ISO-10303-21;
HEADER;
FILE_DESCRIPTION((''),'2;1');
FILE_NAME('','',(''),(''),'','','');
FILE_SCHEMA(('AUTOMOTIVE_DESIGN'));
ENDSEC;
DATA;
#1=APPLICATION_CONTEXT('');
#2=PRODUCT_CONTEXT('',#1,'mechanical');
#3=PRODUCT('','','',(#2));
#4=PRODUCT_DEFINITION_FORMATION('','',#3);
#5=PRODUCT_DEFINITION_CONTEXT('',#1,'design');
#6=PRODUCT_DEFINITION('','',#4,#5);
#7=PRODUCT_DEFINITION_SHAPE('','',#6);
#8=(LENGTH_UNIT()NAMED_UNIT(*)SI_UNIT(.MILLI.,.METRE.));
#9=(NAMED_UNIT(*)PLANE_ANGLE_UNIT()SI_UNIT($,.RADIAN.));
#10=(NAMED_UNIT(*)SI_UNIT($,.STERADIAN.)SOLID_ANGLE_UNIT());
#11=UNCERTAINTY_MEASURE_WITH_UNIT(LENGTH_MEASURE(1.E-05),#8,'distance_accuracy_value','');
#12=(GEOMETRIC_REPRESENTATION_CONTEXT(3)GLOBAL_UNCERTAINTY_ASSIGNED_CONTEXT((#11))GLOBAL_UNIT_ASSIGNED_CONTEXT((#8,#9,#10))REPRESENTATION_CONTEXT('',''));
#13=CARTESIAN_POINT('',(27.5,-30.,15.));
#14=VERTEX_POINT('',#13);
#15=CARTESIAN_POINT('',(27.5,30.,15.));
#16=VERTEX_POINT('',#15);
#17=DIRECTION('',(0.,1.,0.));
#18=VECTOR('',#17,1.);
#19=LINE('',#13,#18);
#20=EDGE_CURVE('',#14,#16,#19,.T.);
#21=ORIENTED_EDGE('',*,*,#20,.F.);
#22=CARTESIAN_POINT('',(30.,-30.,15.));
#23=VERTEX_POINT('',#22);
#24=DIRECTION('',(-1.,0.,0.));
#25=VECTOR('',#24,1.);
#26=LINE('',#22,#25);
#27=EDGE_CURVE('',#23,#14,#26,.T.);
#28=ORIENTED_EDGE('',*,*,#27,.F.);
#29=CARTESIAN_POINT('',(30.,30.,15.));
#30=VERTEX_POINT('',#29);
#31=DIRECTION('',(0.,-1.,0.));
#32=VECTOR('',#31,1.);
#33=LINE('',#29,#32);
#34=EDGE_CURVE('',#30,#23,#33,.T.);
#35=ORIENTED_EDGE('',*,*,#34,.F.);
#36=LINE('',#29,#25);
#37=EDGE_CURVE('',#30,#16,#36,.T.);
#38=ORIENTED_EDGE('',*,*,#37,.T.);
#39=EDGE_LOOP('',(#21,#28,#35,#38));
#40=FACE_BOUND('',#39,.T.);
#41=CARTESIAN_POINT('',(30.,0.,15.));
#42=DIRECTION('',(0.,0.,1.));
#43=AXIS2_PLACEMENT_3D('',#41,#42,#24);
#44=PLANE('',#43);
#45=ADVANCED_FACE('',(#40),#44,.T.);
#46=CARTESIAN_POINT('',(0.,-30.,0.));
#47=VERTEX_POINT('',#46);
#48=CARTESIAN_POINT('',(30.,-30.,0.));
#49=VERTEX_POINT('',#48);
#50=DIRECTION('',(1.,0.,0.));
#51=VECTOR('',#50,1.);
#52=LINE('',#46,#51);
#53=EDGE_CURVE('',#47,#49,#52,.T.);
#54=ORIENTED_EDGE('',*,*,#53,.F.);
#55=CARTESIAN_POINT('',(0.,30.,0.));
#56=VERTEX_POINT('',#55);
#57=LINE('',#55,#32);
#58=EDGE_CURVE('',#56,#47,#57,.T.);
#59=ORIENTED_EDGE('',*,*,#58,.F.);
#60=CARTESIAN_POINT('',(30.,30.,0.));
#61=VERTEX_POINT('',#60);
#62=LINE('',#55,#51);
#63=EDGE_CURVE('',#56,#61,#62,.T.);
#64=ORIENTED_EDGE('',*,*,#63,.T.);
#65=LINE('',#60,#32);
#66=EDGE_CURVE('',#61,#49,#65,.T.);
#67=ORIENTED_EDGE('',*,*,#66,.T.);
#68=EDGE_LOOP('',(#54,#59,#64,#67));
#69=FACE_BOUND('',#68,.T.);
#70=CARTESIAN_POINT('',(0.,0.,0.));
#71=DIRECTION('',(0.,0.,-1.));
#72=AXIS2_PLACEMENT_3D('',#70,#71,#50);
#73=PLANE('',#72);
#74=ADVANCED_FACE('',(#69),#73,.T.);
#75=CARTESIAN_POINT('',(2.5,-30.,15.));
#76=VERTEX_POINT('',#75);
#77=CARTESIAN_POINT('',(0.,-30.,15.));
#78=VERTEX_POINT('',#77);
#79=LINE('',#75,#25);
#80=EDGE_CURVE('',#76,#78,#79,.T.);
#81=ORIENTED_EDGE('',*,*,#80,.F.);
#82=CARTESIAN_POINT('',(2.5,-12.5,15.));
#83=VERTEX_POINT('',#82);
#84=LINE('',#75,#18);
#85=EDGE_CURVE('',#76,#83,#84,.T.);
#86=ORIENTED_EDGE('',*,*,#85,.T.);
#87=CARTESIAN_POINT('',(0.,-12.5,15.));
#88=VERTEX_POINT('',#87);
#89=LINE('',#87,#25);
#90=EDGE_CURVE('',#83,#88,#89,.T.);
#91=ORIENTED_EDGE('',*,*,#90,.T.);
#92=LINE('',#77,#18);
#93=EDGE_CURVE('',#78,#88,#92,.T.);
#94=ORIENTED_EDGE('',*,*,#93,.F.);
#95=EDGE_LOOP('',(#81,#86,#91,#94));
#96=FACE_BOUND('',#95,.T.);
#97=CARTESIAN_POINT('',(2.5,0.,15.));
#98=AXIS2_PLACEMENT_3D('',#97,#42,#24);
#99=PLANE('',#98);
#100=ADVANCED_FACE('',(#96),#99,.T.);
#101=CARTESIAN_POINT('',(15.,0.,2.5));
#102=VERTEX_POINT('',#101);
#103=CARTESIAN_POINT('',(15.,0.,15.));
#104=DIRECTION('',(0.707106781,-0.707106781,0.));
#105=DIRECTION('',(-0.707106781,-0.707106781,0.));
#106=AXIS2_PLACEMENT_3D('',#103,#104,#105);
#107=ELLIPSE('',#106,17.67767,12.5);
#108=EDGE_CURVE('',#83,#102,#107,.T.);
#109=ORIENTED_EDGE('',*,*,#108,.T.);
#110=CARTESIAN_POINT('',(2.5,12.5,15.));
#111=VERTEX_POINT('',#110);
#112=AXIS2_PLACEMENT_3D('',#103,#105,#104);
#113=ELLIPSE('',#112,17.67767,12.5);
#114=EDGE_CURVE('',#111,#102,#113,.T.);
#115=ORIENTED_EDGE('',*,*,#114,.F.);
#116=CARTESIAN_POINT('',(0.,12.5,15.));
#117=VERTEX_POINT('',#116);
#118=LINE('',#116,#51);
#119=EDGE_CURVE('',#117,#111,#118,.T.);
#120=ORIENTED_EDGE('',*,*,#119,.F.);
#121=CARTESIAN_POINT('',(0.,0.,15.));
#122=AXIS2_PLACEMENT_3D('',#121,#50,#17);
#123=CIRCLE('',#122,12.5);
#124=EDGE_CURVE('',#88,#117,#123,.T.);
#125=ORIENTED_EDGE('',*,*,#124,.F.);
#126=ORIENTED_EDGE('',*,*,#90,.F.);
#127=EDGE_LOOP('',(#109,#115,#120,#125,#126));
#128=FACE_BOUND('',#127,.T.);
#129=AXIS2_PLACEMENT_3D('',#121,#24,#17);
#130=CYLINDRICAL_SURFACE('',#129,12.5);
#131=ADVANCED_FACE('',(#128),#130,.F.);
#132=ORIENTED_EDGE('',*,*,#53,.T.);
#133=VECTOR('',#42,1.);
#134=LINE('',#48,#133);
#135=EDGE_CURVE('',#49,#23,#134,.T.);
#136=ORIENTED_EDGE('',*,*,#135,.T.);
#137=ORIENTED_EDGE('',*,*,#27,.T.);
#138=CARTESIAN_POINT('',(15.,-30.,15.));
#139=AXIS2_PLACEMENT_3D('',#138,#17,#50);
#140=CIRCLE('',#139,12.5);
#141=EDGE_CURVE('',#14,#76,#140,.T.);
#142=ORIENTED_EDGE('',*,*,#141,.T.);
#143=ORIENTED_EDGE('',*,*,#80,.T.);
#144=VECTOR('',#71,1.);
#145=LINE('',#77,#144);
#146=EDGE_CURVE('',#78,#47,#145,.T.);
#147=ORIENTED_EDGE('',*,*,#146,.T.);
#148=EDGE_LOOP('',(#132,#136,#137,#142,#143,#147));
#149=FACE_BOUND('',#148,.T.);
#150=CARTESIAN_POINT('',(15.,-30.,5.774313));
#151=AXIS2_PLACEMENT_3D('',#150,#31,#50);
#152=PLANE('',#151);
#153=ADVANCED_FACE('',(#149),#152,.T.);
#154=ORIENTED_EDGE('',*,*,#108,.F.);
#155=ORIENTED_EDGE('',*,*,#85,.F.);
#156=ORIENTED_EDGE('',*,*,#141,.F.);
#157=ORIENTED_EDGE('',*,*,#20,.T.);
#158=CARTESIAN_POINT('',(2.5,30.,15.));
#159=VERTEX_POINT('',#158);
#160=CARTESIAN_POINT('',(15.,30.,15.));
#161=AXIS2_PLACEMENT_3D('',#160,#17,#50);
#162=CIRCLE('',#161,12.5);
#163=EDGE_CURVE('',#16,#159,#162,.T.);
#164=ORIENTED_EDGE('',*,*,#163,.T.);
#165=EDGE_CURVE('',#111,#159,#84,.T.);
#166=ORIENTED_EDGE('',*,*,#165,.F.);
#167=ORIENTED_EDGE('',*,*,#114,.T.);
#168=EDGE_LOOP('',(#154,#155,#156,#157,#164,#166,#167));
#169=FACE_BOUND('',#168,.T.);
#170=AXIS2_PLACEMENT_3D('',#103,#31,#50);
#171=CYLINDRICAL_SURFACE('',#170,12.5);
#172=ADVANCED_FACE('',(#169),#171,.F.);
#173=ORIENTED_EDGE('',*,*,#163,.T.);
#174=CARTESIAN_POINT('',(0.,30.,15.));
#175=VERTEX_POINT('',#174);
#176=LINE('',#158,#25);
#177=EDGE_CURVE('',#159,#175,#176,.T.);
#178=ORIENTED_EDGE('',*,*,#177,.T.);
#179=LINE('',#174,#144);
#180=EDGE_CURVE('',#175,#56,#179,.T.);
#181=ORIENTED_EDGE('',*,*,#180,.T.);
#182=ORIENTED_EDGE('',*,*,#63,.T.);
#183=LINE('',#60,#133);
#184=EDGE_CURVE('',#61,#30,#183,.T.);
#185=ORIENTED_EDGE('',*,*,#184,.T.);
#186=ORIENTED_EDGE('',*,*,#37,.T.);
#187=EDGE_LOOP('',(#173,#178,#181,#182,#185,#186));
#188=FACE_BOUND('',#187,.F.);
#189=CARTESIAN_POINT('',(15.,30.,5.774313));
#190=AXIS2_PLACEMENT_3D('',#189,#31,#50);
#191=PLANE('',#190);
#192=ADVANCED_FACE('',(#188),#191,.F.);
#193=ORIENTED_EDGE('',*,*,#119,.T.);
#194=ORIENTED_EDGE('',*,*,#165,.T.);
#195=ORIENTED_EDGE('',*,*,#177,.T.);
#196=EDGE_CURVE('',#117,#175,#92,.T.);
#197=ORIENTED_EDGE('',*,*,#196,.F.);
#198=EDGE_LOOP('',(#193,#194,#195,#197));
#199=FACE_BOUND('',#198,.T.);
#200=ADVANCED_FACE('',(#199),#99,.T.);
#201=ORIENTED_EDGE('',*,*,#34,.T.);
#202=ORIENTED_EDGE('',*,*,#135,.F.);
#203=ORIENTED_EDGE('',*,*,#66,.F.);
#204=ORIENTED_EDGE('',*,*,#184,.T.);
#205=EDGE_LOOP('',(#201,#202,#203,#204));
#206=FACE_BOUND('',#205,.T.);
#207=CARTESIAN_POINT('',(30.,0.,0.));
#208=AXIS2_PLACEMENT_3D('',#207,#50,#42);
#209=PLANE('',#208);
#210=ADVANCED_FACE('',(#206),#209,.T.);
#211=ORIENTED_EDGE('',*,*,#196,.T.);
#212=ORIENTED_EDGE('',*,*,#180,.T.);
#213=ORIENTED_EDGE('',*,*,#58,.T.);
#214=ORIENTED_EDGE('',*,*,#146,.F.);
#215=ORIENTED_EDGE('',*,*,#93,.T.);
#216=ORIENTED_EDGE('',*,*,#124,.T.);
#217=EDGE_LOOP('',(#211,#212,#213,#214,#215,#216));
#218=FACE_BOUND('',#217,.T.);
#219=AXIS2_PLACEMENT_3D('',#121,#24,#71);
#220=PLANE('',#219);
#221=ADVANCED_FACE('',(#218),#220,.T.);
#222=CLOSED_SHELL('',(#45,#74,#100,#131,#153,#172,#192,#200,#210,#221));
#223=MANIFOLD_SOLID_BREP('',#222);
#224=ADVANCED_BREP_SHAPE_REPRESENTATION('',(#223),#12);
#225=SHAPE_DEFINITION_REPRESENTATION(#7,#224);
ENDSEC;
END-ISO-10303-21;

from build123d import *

# Parameters (mm, degrees)
F1_DEPTH = 30
F2_R     = 12.5
F3_DEPTH = 15


with BuildPart() as f1:
    # F0 (on Front) → F1 (new body, symmetric)
    with BuildSketch(Plane.XZ):
        with BuildLine():
            Line((0, 15), (0, 0))
            Line((0, 0), (30, 0))
            Line((30, 0), (30, 15))
            Line((30, 15), (27.5, 15))
            ThreePointArc((27.5, 15), (15, 2.5), (2.5, 15))
            Line((2.5, 15), (0, 15))
        make_face()
    extrude(amount=F1_DEPTH, both=True)

    # F2 (on Right) → F3 (cut)
    with BuildSketch(Plane.YZ):
        with Locations((0, 15)):
            Circle(F2_R)
    extrude(amount=F3_DEPTH, mode=Mode.SUBTRACT)


solid = f1.part
